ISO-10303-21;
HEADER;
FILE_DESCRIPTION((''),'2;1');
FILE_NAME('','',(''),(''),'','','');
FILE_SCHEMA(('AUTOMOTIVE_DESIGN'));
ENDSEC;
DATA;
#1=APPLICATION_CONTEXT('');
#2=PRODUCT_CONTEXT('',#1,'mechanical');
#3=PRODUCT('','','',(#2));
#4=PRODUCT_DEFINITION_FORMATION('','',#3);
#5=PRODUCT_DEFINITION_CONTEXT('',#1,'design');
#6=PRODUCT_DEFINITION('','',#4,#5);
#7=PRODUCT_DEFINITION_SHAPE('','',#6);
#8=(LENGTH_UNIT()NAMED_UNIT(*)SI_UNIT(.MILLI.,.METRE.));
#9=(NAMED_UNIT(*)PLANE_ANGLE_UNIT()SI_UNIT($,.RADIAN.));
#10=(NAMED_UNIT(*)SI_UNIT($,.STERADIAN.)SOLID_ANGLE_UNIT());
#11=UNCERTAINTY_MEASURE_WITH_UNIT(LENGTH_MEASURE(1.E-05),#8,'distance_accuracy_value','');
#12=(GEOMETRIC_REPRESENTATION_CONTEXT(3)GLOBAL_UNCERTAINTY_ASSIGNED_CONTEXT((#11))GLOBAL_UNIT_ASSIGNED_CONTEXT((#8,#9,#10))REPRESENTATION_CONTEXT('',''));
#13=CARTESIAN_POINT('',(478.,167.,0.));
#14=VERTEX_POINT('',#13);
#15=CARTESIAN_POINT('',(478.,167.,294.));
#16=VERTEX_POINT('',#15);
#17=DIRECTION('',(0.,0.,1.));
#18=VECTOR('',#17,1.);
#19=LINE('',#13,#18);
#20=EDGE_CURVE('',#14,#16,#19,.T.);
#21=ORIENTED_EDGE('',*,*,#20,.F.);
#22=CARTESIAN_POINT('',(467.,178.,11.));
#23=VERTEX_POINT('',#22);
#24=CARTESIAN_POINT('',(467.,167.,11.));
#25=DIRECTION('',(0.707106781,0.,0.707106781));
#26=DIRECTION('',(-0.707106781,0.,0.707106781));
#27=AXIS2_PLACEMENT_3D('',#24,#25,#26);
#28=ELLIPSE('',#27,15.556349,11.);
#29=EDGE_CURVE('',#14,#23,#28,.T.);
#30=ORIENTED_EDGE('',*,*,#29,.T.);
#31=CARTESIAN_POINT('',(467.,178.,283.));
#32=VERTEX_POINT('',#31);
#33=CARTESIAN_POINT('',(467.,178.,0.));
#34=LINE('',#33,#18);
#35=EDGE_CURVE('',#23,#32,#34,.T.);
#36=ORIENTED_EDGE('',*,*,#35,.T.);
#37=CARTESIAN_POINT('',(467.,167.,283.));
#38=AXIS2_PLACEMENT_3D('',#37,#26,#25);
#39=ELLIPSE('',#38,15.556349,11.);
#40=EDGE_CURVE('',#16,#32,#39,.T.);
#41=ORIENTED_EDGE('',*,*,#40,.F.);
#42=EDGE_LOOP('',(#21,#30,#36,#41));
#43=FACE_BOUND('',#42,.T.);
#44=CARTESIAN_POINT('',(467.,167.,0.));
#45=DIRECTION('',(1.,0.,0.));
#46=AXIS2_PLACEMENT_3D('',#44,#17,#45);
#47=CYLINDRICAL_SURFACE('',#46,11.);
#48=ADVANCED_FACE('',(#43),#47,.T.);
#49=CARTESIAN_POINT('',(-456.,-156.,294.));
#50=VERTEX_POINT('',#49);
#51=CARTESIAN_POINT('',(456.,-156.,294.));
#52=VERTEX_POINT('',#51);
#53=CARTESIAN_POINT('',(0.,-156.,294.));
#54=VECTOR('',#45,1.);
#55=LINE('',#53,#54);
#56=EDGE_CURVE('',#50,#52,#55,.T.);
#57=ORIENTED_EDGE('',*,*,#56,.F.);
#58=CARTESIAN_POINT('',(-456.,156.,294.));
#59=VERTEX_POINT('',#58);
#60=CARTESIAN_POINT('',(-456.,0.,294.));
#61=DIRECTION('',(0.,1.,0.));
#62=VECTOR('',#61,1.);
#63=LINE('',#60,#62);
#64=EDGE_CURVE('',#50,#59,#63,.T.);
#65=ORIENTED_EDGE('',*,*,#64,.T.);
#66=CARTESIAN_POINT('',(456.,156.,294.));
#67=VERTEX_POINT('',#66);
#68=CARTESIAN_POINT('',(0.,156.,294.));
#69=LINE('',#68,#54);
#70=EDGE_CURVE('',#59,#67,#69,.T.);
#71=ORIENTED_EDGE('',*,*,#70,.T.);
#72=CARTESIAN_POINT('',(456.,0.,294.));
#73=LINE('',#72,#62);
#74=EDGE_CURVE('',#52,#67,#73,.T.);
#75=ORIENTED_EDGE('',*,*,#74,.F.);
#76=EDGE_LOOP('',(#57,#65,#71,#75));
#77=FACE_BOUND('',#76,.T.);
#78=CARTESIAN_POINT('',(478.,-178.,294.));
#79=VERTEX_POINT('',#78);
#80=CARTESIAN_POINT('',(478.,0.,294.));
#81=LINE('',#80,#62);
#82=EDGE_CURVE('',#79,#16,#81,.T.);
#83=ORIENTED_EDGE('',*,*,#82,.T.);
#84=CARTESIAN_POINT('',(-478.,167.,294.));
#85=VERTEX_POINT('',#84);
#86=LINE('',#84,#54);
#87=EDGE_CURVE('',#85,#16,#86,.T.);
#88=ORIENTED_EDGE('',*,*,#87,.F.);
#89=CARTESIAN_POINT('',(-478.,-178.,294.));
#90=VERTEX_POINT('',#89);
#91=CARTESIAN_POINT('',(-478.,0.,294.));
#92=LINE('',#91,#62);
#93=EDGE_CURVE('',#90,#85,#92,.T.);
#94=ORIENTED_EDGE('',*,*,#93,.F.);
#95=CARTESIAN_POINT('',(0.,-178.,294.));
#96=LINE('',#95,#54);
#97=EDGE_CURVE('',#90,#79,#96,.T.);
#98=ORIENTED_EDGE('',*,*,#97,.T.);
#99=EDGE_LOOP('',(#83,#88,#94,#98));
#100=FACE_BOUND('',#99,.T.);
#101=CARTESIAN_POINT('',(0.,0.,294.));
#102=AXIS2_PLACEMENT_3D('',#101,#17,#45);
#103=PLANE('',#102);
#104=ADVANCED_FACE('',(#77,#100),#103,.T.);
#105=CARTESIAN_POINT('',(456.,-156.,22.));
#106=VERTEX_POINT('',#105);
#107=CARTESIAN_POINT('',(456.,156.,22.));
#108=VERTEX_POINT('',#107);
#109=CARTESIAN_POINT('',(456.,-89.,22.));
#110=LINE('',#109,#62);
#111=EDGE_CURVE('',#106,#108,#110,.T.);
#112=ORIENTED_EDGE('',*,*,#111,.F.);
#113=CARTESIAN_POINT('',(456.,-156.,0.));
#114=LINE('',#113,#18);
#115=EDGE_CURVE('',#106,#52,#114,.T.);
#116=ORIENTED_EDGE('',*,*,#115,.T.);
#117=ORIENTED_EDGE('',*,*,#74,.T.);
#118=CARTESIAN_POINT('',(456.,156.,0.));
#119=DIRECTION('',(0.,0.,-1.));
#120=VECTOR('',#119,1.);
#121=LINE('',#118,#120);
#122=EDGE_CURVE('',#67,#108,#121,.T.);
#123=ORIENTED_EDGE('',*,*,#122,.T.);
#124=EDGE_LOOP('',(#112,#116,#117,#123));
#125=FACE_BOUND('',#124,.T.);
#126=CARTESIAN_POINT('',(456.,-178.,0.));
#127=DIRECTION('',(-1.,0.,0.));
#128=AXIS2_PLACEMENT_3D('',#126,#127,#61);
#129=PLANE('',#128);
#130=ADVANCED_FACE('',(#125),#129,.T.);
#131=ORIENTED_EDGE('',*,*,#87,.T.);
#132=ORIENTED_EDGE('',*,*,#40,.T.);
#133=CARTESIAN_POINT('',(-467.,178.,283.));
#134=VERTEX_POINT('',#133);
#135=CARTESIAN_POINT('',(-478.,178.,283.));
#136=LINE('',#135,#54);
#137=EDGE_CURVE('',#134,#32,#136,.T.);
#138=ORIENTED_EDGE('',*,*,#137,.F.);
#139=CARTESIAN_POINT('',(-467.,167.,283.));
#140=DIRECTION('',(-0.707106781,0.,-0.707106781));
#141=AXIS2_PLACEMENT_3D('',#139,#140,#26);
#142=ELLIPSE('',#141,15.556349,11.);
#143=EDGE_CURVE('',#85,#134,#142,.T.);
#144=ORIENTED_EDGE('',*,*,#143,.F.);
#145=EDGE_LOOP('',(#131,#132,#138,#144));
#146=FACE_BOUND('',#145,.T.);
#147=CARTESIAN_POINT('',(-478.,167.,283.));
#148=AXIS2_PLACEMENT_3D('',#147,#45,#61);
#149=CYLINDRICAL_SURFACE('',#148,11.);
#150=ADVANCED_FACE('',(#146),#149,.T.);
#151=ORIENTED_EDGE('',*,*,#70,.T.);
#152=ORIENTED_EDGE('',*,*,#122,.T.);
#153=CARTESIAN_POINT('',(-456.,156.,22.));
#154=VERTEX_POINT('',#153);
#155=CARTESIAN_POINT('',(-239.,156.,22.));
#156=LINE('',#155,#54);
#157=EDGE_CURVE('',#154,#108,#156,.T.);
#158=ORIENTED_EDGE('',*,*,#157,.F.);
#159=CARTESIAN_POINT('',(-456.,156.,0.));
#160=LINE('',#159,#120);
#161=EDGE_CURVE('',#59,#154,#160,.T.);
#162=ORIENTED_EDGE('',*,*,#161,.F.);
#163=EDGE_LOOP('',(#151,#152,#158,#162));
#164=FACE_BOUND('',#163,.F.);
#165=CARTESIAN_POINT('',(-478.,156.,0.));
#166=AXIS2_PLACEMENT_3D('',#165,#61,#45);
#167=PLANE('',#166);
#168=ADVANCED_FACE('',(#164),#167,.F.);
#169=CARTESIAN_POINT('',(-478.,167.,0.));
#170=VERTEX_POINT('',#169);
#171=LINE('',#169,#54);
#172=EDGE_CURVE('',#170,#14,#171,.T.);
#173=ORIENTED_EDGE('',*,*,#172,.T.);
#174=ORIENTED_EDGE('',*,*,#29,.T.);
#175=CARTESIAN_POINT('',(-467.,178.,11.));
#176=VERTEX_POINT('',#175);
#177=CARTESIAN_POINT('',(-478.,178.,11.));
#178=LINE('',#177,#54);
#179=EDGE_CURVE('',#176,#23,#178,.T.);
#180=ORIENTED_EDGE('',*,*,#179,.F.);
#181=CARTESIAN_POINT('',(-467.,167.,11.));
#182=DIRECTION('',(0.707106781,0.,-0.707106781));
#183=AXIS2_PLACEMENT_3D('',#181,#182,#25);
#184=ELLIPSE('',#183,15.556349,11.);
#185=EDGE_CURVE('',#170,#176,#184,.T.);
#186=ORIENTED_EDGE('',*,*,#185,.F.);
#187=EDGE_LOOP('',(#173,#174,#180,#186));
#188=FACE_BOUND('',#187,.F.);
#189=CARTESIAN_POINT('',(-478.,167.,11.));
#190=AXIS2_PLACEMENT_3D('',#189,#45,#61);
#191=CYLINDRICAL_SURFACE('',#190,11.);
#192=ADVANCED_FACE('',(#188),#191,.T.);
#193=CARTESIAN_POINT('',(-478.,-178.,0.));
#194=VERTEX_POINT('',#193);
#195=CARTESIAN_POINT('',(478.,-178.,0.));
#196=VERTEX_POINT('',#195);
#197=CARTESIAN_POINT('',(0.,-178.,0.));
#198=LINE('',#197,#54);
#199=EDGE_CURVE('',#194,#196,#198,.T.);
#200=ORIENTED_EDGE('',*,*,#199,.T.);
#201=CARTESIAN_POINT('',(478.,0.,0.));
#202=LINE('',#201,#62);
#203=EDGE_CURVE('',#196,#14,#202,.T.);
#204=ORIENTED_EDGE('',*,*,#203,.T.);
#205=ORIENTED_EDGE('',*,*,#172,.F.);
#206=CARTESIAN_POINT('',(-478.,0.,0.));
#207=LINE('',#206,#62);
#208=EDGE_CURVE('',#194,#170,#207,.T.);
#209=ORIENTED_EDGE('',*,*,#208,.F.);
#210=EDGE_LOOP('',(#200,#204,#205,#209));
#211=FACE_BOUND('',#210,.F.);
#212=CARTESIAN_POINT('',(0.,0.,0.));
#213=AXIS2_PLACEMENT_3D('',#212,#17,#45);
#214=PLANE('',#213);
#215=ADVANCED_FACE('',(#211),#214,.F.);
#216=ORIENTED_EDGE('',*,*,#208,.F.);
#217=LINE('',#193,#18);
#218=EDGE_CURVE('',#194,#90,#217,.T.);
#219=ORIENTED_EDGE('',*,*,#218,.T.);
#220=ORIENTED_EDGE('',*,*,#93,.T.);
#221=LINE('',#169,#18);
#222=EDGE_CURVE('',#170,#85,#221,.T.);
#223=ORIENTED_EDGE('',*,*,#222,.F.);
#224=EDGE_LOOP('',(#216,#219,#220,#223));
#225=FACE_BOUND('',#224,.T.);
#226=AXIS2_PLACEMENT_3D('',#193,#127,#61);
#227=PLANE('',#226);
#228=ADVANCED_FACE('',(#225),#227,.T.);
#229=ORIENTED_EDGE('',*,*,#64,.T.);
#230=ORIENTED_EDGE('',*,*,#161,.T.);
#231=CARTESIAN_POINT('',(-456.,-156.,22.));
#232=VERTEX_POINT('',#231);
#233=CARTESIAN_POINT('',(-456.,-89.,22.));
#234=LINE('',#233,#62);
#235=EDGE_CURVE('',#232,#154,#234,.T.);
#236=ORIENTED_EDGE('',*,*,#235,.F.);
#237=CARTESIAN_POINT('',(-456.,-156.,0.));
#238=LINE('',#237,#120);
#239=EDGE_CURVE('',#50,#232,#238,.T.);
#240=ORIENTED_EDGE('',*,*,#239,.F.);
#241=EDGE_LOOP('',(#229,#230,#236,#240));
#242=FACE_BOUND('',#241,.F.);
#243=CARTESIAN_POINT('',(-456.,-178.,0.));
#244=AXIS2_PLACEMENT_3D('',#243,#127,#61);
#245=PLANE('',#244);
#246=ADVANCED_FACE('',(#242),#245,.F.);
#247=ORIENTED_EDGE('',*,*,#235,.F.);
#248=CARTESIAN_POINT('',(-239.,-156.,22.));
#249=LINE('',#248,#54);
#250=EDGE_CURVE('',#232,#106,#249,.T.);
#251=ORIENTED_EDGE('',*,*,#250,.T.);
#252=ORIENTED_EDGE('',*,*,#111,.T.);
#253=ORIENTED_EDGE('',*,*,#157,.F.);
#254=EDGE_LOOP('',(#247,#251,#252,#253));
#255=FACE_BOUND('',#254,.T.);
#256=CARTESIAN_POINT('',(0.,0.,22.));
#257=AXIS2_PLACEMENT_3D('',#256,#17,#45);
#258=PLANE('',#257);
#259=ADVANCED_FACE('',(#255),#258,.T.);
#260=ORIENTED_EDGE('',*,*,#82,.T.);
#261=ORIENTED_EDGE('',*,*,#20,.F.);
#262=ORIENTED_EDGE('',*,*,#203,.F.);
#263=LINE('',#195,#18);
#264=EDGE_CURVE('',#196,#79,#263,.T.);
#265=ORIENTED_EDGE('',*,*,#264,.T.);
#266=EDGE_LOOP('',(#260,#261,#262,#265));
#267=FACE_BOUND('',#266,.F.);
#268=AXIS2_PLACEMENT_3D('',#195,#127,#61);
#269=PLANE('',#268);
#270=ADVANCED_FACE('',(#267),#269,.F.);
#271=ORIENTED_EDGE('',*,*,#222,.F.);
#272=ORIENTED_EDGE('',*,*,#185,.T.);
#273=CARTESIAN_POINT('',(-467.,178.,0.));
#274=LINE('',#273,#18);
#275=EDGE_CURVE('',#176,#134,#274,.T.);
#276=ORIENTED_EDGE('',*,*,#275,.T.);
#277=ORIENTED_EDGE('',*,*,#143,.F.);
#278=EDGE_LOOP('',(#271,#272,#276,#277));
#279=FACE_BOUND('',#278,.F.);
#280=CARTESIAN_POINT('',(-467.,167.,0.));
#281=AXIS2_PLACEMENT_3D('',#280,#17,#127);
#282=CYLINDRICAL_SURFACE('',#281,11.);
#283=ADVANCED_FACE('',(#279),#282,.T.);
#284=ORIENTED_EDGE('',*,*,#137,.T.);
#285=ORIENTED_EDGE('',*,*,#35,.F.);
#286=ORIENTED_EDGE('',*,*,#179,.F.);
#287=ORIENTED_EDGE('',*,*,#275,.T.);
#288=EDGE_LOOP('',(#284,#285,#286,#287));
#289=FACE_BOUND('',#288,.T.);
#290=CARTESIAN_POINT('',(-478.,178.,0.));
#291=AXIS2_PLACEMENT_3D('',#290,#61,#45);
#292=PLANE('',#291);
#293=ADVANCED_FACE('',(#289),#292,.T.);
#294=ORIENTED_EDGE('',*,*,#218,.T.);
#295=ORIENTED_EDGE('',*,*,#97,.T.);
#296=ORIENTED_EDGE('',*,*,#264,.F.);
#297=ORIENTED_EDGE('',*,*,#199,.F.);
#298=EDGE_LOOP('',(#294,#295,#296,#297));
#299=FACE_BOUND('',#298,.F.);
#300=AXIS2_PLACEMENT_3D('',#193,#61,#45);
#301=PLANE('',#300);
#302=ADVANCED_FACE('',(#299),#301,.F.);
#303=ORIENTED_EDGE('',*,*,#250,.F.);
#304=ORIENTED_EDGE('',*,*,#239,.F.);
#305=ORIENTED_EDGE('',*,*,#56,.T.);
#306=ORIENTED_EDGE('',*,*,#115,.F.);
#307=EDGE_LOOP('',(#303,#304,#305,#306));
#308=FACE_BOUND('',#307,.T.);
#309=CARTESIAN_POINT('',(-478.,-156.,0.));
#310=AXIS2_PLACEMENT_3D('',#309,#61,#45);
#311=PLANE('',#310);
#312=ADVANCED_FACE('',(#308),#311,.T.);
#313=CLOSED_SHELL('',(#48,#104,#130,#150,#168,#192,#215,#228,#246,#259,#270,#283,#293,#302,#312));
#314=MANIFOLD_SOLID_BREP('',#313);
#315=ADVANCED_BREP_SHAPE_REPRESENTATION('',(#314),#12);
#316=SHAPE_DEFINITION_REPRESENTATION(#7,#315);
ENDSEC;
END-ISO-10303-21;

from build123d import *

# Parameters (mm, degrees)
F0_W     = 956
F0_H     = 356
F1_DEPTH = 294
F2_T     = -22
F3_R     = 11


with BuildPart() as f1:
    # F0 (on Top) → F1 (new body)
    with BuildSketch(Plane.XY):
        Rectangle(F0_W, F0_H)
    extrude(amount=F1_DEPTH)

    # F2
    f2_openings = [f1.faces().sort_by_distance(p)[0] for p in [
        (0, 0, 294),
    ]]
    offset(amount=F2_T, openings=f2_openings)

    # F3
    f3_edges = [f1.edges().sort_by_distance(p)[0] for p in [
        (478, 178, 147),
        (-478, 178, 147),
        (0, 178, 0),
        (0, 178, 294),
    ]]
    fillet(f3_edges, radius=F3_R)


solid = f1.part
